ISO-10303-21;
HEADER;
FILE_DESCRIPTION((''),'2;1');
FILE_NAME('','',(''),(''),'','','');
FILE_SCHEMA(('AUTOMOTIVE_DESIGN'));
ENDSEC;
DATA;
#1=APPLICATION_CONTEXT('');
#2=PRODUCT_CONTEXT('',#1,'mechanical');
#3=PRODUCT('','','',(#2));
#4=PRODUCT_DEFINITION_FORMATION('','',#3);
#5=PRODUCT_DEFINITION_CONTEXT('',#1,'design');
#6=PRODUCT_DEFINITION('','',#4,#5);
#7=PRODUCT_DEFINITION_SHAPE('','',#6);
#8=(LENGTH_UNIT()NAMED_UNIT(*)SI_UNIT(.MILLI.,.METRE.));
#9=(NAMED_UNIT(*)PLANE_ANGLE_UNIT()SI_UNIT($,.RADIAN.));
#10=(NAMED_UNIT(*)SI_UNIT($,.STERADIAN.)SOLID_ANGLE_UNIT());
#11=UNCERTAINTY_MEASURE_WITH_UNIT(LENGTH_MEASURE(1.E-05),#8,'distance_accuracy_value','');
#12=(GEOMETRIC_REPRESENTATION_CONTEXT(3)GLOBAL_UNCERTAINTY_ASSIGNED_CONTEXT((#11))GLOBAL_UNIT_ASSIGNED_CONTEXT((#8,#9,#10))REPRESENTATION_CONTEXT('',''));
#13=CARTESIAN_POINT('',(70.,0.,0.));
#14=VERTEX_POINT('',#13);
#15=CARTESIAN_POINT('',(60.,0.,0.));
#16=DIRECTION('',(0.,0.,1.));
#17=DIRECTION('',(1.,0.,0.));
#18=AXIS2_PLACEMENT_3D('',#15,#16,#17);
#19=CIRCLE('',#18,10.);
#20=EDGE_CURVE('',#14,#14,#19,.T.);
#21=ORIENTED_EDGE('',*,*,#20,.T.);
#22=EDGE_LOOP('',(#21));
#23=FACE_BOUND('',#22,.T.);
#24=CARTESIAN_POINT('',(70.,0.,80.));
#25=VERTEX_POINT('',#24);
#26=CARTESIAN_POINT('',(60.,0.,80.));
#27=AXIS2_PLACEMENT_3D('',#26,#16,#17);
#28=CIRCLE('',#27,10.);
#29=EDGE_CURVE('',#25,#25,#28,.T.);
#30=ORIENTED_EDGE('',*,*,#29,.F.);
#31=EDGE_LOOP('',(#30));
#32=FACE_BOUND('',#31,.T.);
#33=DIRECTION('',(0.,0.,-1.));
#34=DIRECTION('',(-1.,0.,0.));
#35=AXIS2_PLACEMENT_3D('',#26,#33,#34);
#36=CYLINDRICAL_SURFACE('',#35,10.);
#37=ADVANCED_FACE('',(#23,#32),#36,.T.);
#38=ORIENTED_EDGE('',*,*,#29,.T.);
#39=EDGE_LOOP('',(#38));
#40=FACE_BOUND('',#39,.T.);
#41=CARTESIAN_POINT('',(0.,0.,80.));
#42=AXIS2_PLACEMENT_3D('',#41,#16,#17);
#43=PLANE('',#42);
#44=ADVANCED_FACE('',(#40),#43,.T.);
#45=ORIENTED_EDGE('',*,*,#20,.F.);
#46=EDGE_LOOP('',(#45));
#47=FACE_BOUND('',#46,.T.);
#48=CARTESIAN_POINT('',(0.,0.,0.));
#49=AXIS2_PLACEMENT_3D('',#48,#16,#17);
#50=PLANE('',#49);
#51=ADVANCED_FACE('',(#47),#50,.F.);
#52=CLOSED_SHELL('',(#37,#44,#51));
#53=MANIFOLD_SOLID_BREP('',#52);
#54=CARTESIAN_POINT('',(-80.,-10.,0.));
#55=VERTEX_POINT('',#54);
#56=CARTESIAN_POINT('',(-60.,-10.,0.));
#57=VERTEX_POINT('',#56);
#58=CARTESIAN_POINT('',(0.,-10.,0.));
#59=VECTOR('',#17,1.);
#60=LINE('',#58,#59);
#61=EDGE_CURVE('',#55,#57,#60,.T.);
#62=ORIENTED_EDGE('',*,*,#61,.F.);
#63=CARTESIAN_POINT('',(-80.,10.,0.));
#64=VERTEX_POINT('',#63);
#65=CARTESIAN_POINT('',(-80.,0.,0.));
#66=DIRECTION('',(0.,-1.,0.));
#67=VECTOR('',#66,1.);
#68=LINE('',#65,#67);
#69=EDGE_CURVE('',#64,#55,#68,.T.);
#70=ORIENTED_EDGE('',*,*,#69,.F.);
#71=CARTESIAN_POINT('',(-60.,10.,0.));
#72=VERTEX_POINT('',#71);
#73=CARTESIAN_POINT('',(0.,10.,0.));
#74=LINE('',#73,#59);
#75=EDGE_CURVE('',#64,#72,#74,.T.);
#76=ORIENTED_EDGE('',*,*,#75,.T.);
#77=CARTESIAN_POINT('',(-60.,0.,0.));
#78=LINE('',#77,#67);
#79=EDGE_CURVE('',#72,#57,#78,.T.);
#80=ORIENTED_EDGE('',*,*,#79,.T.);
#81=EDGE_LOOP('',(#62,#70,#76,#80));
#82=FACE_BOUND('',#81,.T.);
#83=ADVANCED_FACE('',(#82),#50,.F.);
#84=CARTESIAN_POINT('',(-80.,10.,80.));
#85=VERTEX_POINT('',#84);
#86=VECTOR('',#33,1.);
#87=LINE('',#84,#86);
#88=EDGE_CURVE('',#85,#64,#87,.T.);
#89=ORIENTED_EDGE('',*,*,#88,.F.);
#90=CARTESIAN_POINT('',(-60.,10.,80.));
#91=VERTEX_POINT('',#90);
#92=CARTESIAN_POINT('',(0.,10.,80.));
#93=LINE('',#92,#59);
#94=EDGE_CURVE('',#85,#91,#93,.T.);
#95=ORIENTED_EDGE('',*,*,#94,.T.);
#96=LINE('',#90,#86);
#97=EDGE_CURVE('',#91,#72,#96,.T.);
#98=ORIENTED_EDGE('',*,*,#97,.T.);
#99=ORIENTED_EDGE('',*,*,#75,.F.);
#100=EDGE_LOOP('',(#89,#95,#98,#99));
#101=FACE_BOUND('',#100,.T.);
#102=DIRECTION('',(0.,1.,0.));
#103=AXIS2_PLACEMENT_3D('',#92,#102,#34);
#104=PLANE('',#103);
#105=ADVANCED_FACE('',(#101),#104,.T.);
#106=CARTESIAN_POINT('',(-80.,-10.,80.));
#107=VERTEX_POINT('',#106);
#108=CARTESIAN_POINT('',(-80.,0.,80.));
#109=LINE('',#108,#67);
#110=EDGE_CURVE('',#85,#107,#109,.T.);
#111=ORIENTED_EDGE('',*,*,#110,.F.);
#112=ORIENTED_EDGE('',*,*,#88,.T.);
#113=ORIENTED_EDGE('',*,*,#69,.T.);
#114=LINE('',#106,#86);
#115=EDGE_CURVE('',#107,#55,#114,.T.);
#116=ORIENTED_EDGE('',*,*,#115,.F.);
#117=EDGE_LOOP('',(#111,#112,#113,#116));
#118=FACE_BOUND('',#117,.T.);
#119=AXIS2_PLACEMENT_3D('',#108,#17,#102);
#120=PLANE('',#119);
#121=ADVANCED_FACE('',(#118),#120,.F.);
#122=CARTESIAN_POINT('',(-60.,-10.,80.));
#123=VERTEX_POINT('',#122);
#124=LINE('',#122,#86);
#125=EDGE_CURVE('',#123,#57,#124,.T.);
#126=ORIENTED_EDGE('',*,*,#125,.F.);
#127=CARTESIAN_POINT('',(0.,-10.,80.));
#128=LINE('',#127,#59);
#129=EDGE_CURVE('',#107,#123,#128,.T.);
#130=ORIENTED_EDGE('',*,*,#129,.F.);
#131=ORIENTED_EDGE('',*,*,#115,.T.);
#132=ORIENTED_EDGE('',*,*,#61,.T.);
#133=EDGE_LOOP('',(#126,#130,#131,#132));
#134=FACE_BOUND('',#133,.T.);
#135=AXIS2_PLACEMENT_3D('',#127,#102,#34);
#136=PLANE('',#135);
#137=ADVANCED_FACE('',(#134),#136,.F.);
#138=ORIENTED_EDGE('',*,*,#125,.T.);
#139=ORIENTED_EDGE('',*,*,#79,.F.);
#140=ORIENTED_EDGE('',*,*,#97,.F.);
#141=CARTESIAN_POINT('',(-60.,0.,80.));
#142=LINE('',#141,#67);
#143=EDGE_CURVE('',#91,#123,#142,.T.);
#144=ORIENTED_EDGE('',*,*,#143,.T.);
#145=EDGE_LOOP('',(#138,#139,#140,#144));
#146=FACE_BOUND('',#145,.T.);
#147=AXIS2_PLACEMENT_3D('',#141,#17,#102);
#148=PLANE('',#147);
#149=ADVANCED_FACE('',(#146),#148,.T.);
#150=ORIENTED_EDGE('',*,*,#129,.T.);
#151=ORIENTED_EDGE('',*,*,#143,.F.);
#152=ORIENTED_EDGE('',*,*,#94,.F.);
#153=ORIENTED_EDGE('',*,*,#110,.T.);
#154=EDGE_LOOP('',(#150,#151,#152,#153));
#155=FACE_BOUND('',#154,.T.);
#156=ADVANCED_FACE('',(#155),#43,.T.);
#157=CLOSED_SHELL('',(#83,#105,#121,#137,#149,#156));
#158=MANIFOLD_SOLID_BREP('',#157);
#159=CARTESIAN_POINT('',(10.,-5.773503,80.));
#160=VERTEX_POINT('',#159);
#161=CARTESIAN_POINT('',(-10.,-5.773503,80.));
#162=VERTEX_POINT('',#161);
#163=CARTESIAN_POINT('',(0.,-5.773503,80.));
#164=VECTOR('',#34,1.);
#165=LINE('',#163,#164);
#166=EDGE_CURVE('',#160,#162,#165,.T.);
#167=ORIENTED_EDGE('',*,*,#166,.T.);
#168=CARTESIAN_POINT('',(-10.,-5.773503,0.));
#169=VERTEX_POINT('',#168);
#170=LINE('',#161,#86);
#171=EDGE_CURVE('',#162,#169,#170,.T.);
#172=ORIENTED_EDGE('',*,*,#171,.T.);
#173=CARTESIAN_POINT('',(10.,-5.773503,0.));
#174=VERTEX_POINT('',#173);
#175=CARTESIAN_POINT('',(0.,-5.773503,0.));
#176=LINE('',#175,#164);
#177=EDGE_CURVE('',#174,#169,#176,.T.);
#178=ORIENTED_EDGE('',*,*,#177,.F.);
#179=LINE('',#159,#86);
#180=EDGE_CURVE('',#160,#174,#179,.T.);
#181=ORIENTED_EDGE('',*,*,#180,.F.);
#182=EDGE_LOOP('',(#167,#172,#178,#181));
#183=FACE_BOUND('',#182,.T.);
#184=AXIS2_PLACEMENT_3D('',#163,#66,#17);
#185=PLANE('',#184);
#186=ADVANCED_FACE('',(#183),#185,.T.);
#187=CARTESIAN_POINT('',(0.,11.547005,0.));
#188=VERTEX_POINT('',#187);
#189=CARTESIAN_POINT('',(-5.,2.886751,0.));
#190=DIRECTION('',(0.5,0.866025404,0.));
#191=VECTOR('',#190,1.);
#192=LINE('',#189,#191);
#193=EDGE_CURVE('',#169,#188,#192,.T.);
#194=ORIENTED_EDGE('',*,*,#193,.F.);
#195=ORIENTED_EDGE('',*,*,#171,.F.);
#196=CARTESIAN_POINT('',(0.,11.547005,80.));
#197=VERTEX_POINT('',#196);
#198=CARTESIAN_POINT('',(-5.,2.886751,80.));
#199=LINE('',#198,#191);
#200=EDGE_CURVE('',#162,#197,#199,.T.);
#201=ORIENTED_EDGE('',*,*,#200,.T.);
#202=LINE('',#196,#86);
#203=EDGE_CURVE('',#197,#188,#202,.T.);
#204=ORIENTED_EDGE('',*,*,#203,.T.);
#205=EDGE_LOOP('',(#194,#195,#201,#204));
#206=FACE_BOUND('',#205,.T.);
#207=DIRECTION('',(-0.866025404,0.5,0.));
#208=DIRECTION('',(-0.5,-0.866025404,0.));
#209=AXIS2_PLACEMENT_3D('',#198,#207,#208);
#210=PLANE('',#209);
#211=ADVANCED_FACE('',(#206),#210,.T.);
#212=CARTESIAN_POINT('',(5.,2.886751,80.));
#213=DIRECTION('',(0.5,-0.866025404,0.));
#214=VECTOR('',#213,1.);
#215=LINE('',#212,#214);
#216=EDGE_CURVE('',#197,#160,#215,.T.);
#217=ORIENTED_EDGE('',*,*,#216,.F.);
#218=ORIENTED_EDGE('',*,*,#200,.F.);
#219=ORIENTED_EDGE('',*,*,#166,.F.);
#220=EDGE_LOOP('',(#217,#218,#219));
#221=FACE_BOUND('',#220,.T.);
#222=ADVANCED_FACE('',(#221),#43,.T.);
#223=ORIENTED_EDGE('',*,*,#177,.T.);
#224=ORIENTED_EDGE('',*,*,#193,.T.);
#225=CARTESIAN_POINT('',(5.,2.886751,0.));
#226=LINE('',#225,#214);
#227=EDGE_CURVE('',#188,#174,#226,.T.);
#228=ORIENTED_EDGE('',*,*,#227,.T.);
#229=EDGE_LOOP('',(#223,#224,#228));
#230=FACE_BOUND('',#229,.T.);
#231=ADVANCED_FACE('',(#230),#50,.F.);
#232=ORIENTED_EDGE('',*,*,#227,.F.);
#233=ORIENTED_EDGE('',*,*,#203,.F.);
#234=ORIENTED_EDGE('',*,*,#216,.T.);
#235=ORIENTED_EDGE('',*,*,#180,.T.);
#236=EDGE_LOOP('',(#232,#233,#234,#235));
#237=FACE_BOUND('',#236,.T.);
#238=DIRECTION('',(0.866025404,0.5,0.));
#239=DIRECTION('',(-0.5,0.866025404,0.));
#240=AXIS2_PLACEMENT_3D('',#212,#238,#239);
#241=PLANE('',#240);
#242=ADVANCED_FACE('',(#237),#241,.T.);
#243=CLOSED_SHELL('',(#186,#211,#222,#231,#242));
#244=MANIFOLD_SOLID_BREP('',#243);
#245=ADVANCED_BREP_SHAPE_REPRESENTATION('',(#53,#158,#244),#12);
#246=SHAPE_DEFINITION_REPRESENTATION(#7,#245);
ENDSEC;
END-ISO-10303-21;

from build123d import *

# Parameters (mm, degrees)
SKETCH1_R             = 10
BOSS_EXTRUDE1_DEPTH   = 80
BOSS_EXTRUDE1_2_DEPTH = 80
SKETCH1_W             = 20
SKETCH1_H             = 20
BOSS_EXTRUDE1_3_DEPTH = 80


with BuildPart() as part:
    # Sketch1 → Boss-Extrude1 (new body)
    with BuildSketch(Plane.XY):
        with Locations((60, 0)):
            Circle(SKETCH1_R)
    extrude(amount=BOSS_EXTRUDE1_DEPTH)


with BuildPart() as body_2:
    # Sketch1 → Boss-Extrude1 2 (new body)
    with BuildSketch(Plane.XY):
        Polygon((-10, -5.773502692), (0, 11.547005384), (10, -5.773502692), align=None)
    extrude(amount=BOSS_EXTRUDE1_2_DEPTH)


with BuildPart() as body_3:
    # Sketch1 → Boss-Extrude1 3 (new body)
    with BuildSketch(Plane.XY):
        with Locations((-70, 0)):
            Rectangle(SKETCH1_W, SKETCH1_H)
    extrude(amount=BOSS_EXTRUDE1_3_DEPTH)


solid = Compound([part.part, body_2.part, body_3.part])
